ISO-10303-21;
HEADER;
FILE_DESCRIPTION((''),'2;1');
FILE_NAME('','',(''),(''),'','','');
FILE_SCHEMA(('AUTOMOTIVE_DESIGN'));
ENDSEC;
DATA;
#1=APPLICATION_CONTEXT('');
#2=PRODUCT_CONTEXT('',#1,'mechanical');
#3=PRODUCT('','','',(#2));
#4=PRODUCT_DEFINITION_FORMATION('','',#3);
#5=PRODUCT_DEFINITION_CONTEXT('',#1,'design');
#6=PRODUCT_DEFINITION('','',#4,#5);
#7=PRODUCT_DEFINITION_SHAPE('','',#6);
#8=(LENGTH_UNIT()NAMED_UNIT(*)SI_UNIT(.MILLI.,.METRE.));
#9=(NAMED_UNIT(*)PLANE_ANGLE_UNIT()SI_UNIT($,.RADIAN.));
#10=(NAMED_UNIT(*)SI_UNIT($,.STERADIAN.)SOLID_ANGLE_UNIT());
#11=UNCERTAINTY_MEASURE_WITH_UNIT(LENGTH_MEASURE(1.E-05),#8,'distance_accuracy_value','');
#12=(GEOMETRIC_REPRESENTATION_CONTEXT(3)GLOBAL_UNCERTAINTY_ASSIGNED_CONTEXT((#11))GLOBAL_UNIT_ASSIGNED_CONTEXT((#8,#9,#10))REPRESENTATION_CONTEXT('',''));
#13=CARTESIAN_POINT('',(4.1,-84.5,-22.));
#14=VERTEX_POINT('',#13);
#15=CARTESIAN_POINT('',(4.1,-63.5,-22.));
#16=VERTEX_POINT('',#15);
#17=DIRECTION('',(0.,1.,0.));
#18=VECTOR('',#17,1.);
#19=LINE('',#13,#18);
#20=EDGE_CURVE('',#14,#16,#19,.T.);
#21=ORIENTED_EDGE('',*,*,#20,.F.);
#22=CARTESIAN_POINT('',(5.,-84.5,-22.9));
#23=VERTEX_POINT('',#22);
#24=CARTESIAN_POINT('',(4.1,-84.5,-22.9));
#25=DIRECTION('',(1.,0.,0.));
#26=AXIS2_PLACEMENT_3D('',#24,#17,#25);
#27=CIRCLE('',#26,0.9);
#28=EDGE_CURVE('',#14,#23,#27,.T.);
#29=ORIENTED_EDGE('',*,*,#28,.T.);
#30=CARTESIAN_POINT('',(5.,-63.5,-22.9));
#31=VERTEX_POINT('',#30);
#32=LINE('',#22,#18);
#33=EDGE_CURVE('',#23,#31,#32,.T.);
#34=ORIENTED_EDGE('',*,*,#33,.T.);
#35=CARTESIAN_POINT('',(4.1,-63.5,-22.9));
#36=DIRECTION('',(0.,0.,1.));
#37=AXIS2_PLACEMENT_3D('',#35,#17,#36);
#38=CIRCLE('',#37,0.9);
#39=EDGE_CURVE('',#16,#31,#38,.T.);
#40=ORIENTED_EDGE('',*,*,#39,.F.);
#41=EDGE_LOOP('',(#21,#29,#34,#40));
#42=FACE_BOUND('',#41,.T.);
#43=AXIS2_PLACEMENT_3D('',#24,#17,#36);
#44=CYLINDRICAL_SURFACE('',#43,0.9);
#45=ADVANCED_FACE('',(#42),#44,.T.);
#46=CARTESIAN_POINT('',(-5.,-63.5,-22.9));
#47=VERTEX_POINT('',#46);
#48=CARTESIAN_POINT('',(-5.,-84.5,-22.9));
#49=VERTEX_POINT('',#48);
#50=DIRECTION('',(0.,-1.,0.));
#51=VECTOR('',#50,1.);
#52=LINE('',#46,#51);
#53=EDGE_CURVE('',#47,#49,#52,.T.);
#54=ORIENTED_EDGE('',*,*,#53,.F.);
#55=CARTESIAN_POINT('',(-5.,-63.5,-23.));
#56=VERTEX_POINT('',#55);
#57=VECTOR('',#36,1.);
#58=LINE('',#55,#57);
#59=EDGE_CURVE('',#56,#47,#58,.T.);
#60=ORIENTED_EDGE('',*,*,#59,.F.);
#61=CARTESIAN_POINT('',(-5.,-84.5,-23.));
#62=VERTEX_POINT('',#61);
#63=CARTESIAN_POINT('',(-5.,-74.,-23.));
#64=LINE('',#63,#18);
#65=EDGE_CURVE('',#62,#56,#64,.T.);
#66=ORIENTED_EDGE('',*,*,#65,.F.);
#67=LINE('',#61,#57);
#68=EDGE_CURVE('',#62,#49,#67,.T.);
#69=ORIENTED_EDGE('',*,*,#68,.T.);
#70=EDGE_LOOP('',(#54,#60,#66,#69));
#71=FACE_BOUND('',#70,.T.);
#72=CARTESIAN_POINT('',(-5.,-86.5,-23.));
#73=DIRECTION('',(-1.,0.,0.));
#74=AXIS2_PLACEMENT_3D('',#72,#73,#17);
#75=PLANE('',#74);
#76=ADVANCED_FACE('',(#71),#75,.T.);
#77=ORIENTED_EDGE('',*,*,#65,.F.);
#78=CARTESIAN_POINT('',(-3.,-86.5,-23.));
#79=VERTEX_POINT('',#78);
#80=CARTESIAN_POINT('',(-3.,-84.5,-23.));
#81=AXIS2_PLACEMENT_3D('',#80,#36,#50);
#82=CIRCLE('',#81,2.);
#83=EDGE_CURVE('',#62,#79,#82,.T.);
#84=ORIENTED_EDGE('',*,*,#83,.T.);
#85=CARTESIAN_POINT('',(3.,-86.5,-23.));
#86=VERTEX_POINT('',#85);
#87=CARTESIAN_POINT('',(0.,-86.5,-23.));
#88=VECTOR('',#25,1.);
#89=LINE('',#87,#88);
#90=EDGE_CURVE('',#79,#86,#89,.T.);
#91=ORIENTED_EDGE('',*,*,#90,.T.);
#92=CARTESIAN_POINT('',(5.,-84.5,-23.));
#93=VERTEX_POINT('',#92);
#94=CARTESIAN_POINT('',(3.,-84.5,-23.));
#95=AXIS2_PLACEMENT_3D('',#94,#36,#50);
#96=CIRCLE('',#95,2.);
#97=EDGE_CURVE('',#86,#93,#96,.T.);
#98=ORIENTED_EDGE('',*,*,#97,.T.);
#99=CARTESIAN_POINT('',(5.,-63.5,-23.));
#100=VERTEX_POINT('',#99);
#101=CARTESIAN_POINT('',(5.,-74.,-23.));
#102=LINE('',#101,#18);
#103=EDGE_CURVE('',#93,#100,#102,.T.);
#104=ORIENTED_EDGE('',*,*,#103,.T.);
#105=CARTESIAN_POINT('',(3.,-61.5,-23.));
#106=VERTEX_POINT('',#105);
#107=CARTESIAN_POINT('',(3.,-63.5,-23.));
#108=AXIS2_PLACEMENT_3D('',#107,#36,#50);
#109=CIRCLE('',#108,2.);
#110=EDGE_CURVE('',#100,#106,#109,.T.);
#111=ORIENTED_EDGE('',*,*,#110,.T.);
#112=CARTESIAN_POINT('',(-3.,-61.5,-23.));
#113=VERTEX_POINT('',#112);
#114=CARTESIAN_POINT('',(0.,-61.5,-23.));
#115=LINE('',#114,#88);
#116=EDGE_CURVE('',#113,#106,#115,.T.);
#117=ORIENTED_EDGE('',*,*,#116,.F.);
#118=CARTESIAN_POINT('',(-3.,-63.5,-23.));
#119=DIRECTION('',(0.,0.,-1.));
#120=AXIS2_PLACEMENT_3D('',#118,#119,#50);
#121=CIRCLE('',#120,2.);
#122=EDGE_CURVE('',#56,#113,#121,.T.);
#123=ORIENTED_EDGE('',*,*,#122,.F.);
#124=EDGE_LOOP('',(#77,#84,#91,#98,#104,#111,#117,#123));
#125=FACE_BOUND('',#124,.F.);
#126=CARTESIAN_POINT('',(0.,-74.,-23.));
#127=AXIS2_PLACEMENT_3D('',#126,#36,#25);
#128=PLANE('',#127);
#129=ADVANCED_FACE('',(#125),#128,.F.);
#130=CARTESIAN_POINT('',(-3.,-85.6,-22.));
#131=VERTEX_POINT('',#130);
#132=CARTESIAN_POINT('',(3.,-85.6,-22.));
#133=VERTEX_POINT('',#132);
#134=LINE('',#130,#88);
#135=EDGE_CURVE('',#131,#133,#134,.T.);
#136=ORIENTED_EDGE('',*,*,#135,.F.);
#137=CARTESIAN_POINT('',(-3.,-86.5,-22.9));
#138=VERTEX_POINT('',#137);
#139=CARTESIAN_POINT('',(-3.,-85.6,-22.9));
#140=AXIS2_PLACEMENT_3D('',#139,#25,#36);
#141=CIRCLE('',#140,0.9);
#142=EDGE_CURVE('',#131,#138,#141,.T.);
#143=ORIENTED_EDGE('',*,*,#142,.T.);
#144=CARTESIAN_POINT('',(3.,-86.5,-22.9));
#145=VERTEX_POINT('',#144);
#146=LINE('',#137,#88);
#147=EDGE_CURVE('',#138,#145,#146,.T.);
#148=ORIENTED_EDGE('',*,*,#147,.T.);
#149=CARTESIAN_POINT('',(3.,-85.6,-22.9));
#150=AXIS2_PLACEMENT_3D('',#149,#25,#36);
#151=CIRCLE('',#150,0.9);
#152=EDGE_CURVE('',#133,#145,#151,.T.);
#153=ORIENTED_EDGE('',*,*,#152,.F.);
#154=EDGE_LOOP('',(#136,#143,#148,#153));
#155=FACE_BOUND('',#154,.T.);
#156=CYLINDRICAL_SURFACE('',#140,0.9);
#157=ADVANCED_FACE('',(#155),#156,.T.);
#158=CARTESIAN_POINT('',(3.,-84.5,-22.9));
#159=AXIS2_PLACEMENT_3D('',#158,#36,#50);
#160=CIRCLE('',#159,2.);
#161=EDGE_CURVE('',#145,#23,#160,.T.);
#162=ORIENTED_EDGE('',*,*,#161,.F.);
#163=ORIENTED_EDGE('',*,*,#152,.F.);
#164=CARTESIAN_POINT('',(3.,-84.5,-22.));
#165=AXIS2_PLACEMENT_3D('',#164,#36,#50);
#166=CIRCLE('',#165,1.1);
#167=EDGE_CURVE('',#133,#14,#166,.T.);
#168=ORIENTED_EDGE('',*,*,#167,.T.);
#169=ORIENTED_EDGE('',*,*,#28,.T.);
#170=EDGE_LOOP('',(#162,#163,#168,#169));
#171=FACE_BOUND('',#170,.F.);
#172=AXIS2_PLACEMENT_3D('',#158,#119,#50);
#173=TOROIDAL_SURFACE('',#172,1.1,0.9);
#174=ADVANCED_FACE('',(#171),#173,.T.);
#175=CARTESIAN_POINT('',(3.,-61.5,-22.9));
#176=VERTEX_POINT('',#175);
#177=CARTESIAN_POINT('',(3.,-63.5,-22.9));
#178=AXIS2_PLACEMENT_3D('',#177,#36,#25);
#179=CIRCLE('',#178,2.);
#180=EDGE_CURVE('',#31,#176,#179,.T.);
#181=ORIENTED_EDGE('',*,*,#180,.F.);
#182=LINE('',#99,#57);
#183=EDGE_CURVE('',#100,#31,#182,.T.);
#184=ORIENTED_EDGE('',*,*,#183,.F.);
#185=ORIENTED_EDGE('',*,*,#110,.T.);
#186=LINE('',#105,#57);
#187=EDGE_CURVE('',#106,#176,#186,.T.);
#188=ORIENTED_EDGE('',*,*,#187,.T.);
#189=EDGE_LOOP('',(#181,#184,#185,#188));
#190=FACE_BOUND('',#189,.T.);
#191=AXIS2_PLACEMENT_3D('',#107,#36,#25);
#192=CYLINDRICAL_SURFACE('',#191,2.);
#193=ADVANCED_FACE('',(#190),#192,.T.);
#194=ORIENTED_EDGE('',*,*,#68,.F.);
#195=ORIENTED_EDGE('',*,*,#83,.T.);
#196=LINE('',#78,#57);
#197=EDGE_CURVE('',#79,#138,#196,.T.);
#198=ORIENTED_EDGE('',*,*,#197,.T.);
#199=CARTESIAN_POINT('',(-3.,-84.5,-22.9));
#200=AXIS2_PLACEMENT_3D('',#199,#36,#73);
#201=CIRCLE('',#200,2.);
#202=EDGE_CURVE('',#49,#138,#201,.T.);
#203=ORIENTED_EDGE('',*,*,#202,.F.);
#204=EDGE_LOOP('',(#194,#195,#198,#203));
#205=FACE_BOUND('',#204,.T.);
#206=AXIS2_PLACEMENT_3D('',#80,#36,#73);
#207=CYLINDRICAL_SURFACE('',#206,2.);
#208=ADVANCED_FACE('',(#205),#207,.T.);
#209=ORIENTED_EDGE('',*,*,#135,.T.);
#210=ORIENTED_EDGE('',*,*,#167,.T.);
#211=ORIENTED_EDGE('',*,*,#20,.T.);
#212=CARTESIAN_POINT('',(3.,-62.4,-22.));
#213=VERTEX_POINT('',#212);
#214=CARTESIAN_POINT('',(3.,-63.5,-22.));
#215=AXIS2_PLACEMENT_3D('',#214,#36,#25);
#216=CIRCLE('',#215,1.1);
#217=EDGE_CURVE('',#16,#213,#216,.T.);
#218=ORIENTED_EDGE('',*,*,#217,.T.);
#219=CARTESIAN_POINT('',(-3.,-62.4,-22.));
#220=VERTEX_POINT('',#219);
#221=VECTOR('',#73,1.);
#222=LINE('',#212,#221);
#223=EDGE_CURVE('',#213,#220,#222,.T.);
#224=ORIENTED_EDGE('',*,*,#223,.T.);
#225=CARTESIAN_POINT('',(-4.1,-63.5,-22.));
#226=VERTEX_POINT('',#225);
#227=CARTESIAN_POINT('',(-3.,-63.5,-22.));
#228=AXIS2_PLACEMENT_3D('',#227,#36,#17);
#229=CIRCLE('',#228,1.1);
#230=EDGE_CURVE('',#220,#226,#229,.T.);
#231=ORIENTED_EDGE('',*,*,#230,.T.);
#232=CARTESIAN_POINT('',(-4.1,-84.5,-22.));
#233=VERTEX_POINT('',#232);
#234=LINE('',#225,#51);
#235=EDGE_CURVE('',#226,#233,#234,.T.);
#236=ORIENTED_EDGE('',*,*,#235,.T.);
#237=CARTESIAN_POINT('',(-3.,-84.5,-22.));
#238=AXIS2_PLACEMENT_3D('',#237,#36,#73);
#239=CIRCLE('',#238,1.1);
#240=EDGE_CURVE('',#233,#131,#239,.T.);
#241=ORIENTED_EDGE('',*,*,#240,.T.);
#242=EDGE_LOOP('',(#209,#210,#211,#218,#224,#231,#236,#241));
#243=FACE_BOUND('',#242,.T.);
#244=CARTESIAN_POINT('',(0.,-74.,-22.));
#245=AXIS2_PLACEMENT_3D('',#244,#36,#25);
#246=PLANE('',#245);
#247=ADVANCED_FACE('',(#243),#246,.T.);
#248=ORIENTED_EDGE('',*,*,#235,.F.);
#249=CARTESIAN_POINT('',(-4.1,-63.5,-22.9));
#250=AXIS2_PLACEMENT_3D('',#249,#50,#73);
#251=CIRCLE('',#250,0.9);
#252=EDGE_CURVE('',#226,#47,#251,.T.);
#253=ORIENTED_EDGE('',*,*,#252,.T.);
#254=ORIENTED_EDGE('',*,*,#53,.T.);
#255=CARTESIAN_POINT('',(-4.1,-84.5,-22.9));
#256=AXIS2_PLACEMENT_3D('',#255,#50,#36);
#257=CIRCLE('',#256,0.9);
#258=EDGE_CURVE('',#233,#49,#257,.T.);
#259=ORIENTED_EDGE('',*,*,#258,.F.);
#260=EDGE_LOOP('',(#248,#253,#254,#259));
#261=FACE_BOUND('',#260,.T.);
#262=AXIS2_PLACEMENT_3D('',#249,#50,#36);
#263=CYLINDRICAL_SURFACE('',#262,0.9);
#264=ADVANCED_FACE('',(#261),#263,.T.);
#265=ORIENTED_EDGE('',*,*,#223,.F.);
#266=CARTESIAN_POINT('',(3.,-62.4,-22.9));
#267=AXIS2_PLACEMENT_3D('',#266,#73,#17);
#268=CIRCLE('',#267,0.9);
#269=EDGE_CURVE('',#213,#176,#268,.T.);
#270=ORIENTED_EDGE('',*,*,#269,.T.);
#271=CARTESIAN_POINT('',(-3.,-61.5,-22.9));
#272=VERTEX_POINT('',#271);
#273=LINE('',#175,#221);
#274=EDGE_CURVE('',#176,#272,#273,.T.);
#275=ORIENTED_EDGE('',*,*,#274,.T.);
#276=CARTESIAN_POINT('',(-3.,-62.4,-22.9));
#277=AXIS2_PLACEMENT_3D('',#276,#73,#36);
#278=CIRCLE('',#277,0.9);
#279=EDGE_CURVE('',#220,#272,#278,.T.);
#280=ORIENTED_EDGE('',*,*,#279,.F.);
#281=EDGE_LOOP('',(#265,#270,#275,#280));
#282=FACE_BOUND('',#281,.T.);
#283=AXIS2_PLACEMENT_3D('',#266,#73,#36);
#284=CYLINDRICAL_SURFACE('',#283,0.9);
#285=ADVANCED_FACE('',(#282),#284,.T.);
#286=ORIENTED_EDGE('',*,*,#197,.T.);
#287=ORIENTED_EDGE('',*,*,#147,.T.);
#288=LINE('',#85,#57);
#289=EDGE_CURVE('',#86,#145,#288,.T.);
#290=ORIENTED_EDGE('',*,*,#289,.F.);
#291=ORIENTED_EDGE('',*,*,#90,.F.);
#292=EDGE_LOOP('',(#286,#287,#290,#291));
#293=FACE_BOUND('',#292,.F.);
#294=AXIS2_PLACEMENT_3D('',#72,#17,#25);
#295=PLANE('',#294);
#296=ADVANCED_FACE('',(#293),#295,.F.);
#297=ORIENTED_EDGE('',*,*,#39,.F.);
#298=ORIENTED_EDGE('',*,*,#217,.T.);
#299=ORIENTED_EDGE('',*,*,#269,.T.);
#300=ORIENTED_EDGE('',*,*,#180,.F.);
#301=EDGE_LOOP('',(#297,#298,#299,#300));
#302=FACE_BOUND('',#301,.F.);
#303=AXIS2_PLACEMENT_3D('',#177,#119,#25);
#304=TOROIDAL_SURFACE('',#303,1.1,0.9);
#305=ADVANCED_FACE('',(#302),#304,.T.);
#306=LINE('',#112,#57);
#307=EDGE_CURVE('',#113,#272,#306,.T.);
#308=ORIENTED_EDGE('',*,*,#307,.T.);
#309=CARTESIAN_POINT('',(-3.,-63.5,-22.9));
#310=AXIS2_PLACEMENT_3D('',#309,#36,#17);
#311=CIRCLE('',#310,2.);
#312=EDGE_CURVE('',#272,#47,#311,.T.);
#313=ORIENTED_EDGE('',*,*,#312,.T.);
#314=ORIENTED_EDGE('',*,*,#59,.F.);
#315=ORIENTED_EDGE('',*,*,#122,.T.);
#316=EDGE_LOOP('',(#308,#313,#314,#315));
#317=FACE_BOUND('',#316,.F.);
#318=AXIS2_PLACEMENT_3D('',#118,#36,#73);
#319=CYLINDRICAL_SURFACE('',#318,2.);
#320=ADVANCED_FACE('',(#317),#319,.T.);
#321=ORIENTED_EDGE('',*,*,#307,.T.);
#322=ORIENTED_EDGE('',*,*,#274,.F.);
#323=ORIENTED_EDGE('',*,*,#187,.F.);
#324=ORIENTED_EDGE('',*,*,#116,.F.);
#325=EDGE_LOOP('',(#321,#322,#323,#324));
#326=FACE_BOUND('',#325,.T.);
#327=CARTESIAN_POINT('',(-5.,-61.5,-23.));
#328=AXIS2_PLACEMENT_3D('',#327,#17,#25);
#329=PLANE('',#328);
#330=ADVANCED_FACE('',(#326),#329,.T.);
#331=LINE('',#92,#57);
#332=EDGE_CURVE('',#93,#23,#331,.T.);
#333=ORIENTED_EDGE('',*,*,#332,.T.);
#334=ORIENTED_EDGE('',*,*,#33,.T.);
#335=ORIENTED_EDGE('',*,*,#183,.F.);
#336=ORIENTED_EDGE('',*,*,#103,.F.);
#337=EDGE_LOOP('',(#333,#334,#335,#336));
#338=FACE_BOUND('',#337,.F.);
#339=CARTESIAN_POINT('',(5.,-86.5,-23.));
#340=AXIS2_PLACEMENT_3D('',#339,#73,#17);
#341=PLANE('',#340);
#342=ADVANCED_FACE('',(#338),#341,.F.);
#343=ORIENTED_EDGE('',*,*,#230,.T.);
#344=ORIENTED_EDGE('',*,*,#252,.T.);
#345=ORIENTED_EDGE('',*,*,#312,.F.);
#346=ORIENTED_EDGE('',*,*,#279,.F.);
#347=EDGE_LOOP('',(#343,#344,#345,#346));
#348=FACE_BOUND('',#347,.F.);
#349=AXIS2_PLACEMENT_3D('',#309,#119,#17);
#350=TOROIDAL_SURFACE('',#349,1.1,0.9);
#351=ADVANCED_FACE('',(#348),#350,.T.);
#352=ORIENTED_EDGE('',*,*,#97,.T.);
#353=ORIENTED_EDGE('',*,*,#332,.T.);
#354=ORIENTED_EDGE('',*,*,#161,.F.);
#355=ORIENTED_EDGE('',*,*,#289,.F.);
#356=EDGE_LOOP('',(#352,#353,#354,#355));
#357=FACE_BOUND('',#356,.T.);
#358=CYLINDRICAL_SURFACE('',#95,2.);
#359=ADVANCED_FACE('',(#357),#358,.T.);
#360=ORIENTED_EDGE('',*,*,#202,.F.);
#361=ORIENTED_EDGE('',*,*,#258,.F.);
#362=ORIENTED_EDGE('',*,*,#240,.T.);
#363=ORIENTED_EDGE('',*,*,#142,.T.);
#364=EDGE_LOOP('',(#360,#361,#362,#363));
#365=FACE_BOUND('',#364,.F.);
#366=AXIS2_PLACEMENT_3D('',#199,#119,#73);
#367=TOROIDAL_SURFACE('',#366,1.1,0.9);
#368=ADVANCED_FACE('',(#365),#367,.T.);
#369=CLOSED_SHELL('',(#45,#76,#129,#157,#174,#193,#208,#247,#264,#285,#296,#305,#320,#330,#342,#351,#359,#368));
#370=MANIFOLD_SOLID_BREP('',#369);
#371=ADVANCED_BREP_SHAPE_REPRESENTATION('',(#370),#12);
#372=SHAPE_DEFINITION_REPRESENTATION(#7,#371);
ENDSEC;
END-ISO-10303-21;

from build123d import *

# Parameters (mm, degrees)
SKETCH029_W  = 10
SKETCH029_H  = 25
PAD016_DEPTH = 1
FILLET023_R  = 2
FILLET024_R  = 0.9


with BuildPart() as part:
    # Sketch029 → Pad016 (new body)
    with BuildSketch(Plane.XY):
        Rectangle(SKETCH029_W, SKETCH029_H)
    extrude(amount=PAD016_DEPTH)

    # Fillet023
    fillet023_edges = [part.edges().sort_by_distance(p)[0] for p in [
        (-5, -12.5, 0.5),
        (-5, 12.5, 0.5),
        (5, -12.5, 0.5),
        (5, 12.5, 0.5),
    ]]
    fillet(fillet023_edges, radius=FILLET023_R)

    # Fillet024
    fillet024_edges = [part.edges().sort_by_distance(p)[0] for p in [
        (0, -12.5, 1),
        (5, 0, 1),
        (-5, 0, 1),
        (0, 12.5, 1),
    ]]
    fillet(fillet024_edges, radius=FILLET024_R)


with BuildPart() as part_1:
    # Body008 placement: moved
    add(part.part.moved(Location((0, -74, -23))))


solid = part_1.part
